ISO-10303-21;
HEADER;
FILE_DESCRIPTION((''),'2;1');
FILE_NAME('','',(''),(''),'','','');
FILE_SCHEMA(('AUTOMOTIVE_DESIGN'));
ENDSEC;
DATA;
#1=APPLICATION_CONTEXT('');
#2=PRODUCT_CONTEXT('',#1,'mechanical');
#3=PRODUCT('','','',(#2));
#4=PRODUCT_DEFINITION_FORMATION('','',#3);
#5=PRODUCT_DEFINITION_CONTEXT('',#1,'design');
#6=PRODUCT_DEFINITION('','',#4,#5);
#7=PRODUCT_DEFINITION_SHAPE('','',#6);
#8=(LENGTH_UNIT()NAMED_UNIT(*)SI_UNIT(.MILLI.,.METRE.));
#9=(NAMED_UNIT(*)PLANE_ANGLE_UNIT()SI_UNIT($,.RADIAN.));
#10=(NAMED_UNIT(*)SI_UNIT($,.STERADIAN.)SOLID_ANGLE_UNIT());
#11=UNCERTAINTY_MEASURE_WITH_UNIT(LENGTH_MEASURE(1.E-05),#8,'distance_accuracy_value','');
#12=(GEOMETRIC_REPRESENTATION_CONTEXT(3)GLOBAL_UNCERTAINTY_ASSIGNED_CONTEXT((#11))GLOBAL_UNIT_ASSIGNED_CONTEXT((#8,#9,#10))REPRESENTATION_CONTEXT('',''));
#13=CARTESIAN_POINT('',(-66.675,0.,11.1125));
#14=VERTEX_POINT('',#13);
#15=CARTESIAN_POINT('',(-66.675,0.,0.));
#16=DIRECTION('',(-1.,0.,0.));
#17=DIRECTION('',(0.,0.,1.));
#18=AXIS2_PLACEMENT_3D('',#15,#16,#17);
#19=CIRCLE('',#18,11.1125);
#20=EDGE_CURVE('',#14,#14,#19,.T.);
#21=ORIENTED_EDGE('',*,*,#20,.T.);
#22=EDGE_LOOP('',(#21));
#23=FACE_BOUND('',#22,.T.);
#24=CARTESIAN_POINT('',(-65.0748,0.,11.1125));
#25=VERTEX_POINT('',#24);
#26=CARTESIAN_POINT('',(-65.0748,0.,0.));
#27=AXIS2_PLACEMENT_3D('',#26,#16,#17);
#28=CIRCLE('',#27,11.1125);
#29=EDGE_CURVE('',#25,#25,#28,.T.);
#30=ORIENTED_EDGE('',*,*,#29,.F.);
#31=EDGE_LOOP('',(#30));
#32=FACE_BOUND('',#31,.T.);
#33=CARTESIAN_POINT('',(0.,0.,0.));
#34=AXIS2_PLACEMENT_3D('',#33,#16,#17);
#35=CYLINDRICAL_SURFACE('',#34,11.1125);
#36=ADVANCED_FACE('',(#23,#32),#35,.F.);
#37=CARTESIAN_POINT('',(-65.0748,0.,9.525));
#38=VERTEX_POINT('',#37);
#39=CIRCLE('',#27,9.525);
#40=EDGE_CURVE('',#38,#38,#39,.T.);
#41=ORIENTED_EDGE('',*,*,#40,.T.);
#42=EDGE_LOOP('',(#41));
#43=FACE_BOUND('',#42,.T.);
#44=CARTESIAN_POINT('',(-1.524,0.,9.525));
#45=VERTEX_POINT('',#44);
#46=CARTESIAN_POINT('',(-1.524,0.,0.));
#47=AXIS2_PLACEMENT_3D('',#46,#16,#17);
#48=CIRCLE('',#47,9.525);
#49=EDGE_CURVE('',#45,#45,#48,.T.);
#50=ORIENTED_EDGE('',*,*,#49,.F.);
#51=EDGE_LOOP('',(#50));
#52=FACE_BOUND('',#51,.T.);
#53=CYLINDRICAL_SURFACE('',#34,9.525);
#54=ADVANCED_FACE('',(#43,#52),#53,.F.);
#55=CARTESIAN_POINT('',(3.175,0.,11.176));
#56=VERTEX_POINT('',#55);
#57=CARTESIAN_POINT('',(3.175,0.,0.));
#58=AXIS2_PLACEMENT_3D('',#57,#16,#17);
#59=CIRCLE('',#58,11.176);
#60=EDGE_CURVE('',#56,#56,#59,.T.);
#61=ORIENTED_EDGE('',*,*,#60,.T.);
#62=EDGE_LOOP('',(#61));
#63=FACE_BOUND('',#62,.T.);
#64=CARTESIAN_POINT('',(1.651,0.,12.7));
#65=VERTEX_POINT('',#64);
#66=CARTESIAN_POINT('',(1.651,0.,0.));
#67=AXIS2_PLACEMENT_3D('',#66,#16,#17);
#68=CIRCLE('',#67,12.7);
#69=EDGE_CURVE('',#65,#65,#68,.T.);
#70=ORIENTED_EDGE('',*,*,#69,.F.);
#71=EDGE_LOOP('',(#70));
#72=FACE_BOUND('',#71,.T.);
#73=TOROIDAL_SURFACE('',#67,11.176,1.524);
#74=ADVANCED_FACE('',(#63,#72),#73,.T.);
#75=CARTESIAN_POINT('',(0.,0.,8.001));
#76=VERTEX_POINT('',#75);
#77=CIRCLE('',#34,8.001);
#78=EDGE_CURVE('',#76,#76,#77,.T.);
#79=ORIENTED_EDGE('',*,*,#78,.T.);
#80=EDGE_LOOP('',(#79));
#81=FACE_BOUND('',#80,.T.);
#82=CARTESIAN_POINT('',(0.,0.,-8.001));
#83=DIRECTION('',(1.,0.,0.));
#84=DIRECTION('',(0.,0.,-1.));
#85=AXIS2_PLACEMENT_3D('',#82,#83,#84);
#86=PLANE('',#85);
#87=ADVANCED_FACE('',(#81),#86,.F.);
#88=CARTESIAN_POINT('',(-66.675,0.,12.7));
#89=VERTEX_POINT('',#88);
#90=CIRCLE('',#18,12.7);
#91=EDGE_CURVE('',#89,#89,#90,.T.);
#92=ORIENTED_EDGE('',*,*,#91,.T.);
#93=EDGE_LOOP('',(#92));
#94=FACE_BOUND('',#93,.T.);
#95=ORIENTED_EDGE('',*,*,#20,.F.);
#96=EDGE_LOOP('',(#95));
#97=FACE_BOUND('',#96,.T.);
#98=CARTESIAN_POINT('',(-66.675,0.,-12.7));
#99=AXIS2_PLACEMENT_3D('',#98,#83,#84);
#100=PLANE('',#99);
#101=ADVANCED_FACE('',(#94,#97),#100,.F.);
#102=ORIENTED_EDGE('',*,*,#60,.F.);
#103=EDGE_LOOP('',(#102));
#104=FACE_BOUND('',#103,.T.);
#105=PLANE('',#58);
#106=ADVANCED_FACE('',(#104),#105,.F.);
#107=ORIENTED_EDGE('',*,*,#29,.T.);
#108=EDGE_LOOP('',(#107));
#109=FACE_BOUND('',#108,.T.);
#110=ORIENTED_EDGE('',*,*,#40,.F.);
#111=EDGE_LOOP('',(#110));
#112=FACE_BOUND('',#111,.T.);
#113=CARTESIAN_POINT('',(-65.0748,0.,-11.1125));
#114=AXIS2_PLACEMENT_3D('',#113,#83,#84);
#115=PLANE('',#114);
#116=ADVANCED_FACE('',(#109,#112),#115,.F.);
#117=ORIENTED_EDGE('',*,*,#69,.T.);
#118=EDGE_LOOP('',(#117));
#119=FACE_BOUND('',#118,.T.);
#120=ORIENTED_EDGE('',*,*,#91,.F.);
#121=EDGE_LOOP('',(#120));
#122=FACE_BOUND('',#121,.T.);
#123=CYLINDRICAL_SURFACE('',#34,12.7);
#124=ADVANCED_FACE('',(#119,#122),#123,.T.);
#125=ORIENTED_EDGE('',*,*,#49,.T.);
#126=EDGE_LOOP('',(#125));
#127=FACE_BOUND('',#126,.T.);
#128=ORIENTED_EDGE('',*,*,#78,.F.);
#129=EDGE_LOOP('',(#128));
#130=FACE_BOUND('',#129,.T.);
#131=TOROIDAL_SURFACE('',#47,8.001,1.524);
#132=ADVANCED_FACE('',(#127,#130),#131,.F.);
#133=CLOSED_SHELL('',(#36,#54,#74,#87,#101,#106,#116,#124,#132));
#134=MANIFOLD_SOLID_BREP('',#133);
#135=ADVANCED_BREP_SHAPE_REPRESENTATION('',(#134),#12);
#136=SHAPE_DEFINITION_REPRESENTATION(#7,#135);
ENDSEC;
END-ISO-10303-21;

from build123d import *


with BuildPart() as part:
    # Sketch1 → Revolve1 (revolve)
    with BuildSketch(Plane(origin=(0, 0, 0), x_dir=(1, 0, 0), z_dir=(0, 1, 0))):
        with BuildLine():
            Line((0, 0), (3.175, 0))
            Line((3.175, 0), (3.175, 11.176))
            ThreePointArc((3.175, 11.176), (2.728630735, 12.253630735), (1.651, 12.7))
            Line((1.651, 12.7), (-66.675, 12.7))
            Line((-66.675, 12.7), (-66.675, 11.1125))
            Line((-66.675, 11.1125), (-65.0748, 11.1125))
            Line((-65.0748, 11.1125), (-65.0748, 9.525))
            Line((-65.0748, 9.525), (-1.524, 9.525))
            ThreePointArc((-1.524, 9.525), (-0.446369265, 9.078630735), (0, 8.001))
            Line((0, 8.001), (0, 0))
        make_face()
    revolve(axis=Axis((0, 0, 0), (1, 0, 0)))


solid = part.part
